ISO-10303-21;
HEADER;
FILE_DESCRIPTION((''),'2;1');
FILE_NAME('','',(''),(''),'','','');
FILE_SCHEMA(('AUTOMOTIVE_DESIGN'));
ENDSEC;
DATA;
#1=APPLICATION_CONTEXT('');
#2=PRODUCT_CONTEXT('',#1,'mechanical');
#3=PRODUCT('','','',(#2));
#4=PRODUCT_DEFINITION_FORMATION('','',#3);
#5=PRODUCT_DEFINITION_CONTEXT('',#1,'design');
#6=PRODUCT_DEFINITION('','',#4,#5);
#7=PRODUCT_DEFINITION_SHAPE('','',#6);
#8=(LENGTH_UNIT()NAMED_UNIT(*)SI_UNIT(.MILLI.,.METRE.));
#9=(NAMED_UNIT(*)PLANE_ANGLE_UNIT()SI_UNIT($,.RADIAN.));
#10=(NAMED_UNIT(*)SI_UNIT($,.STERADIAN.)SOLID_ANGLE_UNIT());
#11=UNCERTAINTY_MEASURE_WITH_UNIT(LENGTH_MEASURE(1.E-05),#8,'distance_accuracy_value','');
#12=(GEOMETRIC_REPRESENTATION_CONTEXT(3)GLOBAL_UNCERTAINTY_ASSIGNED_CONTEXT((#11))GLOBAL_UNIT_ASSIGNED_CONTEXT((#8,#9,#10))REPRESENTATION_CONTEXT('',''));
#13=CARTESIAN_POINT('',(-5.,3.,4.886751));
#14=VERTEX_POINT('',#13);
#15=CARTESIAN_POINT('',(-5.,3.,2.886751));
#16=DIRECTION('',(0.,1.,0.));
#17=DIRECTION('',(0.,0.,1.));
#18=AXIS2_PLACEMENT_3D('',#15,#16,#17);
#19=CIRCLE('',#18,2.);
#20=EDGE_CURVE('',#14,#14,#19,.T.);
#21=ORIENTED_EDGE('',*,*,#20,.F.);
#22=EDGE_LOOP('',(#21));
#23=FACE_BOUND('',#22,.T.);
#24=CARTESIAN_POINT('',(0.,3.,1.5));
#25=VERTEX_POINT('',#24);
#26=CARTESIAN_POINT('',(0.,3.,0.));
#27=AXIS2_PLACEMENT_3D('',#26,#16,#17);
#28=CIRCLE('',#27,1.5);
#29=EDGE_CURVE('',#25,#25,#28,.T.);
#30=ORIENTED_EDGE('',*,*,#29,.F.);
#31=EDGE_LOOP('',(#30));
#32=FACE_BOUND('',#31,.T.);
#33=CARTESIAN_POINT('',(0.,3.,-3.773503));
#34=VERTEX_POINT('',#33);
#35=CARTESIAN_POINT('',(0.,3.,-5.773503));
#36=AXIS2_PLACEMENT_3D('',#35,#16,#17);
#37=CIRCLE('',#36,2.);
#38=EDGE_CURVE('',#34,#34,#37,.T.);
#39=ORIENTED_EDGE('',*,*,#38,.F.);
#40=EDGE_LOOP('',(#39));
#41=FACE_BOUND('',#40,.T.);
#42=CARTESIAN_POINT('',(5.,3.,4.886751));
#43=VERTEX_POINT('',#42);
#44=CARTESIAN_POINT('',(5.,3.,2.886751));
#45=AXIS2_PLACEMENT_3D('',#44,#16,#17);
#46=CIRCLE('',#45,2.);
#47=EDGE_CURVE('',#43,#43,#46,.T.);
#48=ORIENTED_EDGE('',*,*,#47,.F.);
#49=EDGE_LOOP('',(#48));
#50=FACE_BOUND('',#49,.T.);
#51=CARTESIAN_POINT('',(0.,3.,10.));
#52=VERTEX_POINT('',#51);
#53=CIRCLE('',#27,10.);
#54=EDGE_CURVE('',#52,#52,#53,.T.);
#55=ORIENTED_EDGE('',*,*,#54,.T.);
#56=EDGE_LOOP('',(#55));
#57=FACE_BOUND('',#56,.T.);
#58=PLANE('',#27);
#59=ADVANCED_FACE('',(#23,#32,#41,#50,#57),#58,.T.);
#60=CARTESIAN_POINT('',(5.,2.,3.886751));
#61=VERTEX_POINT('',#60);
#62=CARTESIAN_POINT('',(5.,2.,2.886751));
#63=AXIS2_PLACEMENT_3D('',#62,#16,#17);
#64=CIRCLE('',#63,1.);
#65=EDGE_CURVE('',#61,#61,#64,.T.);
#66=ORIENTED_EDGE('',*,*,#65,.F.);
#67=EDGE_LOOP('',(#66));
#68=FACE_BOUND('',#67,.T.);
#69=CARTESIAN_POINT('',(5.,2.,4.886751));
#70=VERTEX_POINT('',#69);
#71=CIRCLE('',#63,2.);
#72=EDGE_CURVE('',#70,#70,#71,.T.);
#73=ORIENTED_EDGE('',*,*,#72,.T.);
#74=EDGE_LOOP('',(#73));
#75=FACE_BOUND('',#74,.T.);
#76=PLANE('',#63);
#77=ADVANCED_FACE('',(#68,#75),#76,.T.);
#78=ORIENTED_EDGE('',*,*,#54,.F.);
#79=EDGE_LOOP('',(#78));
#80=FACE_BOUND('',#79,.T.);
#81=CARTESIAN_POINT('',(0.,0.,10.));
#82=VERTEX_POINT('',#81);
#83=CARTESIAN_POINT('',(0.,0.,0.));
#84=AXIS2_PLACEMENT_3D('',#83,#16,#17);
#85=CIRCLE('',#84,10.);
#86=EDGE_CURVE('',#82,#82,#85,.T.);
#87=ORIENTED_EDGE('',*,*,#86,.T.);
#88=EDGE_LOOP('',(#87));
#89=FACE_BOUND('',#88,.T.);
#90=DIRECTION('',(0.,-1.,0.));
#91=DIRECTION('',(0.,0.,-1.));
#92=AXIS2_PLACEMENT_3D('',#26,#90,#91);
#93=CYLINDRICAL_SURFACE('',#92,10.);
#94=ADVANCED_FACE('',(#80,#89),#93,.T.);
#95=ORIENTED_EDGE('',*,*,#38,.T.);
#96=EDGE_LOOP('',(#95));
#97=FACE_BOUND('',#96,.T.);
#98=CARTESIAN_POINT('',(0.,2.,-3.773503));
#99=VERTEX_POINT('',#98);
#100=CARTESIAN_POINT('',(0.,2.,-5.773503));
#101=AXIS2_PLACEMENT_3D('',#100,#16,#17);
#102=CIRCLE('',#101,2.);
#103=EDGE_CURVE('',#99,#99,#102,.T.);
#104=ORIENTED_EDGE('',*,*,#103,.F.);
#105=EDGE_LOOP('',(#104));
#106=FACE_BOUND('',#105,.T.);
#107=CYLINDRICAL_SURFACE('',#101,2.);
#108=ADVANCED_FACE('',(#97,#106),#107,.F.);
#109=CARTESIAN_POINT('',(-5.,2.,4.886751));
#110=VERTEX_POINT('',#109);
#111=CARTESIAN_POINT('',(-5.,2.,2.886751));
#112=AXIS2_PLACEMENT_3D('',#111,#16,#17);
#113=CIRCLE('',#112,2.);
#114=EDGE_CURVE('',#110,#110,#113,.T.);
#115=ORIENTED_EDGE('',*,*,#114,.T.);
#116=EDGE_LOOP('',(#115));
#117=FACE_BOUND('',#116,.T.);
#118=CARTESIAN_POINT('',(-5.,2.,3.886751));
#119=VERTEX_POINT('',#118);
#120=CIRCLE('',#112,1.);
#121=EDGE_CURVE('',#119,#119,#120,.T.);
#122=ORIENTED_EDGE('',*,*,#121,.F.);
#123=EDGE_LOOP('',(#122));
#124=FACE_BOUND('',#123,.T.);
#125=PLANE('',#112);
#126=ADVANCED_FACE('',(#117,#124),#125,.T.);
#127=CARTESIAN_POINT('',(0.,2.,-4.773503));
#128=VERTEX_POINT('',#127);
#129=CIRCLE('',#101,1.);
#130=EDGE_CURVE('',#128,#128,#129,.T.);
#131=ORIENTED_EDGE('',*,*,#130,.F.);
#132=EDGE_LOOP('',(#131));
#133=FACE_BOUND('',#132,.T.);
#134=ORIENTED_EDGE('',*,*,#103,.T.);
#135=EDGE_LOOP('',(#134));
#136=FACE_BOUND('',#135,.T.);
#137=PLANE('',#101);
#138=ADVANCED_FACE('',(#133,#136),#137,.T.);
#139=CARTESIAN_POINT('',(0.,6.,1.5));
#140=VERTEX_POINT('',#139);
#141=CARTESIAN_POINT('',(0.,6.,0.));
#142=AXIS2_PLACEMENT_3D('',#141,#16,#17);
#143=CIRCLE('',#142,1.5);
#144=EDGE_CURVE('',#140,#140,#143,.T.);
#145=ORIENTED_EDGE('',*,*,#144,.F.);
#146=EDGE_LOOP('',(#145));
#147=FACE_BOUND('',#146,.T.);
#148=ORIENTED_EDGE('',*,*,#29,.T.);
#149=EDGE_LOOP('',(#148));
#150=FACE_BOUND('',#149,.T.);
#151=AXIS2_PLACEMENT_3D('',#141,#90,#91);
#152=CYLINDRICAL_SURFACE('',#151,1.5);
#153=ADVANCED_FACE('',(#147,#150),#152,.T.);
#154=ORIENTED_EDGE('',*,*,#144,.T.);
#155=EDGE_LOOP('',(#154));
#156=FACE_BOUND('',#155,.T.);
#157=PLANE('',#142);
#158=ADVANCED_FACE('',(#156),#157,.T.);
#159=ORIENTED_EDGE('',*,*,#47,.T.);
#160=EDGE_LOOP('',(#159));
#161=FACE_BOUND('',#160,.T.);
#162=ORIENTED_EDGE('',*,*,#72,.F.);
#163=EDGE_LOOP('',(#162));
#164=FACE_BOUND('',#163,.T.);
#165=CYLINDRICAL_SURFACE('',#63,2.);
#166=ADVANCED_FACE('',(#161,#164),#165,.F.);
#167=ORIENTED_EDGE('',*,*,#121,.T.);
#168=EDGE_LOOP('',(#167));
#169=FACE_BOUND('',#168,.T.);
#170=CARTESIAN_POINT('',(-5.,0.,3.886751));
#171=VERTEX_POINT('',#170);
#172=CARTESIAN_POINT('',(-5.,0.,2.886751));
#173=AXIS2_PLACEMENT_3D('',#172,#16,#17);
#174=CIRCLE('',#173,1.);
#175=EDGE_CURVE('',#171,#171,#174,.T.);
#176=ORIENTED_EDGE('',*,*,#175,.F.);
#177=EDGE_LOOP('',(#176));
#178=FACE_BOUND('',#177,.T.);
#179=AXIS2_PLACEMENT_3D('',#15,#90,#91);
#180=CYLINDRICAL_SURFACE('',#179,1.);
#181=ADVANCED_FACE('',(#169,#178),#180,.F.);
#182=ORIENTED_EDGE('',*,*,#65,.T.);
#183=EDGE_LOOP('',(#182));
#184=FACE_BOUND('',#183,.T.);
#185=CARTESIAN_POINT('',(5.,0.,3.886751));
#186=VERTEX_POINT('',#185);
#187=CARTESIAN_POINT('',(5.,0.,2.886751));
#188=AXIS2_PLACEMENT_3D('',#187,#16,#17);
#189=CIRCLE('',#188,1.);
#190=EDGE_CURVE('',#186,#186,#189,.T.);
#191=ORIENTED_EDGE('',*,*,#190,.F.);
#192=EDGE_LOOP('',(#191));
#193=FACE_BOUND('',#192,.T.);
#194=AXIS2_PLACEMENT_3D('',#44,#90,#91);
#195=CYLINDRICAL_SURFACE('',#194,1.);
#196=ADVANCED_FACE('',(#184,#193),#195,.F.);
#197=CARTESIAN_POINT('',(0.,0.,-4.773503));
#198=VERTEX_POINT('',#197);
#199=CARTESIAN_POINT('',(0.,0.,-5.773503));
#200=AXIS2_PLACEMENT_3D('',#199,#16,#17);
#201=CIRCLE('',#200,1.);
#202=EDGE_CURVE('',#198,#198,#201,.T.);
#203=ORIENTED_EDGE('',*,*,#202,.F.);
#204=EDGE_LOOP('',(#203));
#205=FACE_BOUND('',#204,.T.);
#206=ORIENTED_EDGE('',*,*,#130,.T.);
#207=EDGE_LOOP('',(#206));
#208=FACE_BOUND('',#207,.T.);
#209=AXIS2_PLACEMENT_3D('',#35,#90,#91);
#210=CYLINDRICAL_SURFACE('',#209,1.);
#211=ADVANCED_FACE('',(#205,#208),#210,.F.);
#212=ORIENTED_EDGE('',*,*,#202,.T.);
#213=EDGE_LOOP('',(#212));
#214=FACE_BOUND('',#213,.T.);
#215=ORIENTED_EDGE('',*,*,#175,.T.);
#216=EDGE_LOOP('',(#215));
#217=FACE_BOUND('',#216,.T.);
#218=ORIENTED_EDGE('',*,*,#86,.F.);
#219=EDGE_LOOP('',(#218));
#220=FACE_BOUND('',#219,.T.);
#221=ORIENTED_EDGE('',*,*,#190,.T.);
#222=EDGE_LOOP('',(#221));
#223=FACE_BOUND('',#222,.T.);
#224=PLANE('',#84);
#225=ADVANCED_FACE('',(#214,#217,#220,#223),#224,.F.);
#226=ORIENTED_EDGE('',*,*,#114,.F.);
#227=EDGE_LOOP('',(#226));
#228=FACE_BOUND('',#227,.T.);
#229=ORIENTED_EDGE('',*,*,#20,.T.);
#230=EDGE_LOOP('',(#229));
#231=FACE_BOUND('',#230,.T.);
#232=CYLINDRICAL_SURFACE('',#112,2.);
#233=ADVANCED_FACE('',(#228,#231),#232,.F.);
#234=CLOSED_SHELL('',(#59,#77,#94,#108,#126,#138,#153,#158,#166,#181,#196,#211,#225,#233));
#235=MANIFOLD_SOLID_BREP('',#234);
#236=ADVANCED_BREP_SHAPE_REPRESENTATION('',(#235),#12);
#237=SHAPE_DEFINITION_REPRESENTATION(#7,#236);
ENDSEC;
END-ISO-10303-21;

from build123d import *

# Parameters (mm, degrees)
SKETCH1_R           = 10
SKETCH1_R_2         = 1
BOSS_EXTRUDE1_DEPTH = 3
SKETCH2_R           = 2
CUT_EXTRUDE1_DEPTH  = 1
SKETCH4_R           = 1.5
BOSS_EXTRUDE2_DEPTH = 3


with BuildPart() as part:
    # Sketch1 → Boss-Extrude1 (new body)
    with BuildSketch(Plane(origin=(0, 0, 0), x_dir=(1, 0, 0), z_dir=(0, 1, 0))):
        with Locations(Location((0, 0, 0), (0, 0, 270))):
            Circle(SKETCH1_R)
        with Locations(Location((0, 5.773502692, 0), (0, 0, 270))):
            Circle(SKETCH1_R_2, mode=Mode.SUBTRACT)
        with Locations(Location((-5, -2.886751346, 0), (0, 0, 270))):
            Circle(SKETCH1_R_2, mode=Mode.SUBTRACT)
        with Locations(Location((5, -2.886751346, 0), (0, 0, 270))):
            Circle(SKETCH1_R_2, mode=Mode.SUBTRACT)
    extrude(amount=BOSS_EXTRUDE1_DEPTH)

    # Sketch2 → Cut-Extrude1 (cut)
    with BuildSketch(Plane(origin=(0, 3, 0), x_dir=(1, 0, 0), z_dir=(0, 1, 0))):
        with Locations(Location((0, 5.773502692, 0), (0, 0, 270))):
            Circle(SKETCH2_R)
        with Locations(Location((-5, -2.886751346, 0), (0, 0, 270))):
            Circle(SKETCH2_R)
        with Locations(Location((5, -2.886751346, 0), (0, 0, 270))):
            Circle(SKETCH2_R)
    extrude(amount=-CUT_EXTRUDE1_DEPTH, mode=Mode.SUBTRACT)

    # Sketch4 → Boss-Extrude2 (add)
    with BuildSketch(Plane(origin=(0, 3, 0), x_dir=(1, 0, 0), z_dir=(0, 1, 0))):
        with Locations(Location((0, 0, 0), (0, 0, 270))):
            Circle(SKETCH4_R)
    extrude(amount=BOSS_EXTRUDE2_DEPTH)


solid = part.part
